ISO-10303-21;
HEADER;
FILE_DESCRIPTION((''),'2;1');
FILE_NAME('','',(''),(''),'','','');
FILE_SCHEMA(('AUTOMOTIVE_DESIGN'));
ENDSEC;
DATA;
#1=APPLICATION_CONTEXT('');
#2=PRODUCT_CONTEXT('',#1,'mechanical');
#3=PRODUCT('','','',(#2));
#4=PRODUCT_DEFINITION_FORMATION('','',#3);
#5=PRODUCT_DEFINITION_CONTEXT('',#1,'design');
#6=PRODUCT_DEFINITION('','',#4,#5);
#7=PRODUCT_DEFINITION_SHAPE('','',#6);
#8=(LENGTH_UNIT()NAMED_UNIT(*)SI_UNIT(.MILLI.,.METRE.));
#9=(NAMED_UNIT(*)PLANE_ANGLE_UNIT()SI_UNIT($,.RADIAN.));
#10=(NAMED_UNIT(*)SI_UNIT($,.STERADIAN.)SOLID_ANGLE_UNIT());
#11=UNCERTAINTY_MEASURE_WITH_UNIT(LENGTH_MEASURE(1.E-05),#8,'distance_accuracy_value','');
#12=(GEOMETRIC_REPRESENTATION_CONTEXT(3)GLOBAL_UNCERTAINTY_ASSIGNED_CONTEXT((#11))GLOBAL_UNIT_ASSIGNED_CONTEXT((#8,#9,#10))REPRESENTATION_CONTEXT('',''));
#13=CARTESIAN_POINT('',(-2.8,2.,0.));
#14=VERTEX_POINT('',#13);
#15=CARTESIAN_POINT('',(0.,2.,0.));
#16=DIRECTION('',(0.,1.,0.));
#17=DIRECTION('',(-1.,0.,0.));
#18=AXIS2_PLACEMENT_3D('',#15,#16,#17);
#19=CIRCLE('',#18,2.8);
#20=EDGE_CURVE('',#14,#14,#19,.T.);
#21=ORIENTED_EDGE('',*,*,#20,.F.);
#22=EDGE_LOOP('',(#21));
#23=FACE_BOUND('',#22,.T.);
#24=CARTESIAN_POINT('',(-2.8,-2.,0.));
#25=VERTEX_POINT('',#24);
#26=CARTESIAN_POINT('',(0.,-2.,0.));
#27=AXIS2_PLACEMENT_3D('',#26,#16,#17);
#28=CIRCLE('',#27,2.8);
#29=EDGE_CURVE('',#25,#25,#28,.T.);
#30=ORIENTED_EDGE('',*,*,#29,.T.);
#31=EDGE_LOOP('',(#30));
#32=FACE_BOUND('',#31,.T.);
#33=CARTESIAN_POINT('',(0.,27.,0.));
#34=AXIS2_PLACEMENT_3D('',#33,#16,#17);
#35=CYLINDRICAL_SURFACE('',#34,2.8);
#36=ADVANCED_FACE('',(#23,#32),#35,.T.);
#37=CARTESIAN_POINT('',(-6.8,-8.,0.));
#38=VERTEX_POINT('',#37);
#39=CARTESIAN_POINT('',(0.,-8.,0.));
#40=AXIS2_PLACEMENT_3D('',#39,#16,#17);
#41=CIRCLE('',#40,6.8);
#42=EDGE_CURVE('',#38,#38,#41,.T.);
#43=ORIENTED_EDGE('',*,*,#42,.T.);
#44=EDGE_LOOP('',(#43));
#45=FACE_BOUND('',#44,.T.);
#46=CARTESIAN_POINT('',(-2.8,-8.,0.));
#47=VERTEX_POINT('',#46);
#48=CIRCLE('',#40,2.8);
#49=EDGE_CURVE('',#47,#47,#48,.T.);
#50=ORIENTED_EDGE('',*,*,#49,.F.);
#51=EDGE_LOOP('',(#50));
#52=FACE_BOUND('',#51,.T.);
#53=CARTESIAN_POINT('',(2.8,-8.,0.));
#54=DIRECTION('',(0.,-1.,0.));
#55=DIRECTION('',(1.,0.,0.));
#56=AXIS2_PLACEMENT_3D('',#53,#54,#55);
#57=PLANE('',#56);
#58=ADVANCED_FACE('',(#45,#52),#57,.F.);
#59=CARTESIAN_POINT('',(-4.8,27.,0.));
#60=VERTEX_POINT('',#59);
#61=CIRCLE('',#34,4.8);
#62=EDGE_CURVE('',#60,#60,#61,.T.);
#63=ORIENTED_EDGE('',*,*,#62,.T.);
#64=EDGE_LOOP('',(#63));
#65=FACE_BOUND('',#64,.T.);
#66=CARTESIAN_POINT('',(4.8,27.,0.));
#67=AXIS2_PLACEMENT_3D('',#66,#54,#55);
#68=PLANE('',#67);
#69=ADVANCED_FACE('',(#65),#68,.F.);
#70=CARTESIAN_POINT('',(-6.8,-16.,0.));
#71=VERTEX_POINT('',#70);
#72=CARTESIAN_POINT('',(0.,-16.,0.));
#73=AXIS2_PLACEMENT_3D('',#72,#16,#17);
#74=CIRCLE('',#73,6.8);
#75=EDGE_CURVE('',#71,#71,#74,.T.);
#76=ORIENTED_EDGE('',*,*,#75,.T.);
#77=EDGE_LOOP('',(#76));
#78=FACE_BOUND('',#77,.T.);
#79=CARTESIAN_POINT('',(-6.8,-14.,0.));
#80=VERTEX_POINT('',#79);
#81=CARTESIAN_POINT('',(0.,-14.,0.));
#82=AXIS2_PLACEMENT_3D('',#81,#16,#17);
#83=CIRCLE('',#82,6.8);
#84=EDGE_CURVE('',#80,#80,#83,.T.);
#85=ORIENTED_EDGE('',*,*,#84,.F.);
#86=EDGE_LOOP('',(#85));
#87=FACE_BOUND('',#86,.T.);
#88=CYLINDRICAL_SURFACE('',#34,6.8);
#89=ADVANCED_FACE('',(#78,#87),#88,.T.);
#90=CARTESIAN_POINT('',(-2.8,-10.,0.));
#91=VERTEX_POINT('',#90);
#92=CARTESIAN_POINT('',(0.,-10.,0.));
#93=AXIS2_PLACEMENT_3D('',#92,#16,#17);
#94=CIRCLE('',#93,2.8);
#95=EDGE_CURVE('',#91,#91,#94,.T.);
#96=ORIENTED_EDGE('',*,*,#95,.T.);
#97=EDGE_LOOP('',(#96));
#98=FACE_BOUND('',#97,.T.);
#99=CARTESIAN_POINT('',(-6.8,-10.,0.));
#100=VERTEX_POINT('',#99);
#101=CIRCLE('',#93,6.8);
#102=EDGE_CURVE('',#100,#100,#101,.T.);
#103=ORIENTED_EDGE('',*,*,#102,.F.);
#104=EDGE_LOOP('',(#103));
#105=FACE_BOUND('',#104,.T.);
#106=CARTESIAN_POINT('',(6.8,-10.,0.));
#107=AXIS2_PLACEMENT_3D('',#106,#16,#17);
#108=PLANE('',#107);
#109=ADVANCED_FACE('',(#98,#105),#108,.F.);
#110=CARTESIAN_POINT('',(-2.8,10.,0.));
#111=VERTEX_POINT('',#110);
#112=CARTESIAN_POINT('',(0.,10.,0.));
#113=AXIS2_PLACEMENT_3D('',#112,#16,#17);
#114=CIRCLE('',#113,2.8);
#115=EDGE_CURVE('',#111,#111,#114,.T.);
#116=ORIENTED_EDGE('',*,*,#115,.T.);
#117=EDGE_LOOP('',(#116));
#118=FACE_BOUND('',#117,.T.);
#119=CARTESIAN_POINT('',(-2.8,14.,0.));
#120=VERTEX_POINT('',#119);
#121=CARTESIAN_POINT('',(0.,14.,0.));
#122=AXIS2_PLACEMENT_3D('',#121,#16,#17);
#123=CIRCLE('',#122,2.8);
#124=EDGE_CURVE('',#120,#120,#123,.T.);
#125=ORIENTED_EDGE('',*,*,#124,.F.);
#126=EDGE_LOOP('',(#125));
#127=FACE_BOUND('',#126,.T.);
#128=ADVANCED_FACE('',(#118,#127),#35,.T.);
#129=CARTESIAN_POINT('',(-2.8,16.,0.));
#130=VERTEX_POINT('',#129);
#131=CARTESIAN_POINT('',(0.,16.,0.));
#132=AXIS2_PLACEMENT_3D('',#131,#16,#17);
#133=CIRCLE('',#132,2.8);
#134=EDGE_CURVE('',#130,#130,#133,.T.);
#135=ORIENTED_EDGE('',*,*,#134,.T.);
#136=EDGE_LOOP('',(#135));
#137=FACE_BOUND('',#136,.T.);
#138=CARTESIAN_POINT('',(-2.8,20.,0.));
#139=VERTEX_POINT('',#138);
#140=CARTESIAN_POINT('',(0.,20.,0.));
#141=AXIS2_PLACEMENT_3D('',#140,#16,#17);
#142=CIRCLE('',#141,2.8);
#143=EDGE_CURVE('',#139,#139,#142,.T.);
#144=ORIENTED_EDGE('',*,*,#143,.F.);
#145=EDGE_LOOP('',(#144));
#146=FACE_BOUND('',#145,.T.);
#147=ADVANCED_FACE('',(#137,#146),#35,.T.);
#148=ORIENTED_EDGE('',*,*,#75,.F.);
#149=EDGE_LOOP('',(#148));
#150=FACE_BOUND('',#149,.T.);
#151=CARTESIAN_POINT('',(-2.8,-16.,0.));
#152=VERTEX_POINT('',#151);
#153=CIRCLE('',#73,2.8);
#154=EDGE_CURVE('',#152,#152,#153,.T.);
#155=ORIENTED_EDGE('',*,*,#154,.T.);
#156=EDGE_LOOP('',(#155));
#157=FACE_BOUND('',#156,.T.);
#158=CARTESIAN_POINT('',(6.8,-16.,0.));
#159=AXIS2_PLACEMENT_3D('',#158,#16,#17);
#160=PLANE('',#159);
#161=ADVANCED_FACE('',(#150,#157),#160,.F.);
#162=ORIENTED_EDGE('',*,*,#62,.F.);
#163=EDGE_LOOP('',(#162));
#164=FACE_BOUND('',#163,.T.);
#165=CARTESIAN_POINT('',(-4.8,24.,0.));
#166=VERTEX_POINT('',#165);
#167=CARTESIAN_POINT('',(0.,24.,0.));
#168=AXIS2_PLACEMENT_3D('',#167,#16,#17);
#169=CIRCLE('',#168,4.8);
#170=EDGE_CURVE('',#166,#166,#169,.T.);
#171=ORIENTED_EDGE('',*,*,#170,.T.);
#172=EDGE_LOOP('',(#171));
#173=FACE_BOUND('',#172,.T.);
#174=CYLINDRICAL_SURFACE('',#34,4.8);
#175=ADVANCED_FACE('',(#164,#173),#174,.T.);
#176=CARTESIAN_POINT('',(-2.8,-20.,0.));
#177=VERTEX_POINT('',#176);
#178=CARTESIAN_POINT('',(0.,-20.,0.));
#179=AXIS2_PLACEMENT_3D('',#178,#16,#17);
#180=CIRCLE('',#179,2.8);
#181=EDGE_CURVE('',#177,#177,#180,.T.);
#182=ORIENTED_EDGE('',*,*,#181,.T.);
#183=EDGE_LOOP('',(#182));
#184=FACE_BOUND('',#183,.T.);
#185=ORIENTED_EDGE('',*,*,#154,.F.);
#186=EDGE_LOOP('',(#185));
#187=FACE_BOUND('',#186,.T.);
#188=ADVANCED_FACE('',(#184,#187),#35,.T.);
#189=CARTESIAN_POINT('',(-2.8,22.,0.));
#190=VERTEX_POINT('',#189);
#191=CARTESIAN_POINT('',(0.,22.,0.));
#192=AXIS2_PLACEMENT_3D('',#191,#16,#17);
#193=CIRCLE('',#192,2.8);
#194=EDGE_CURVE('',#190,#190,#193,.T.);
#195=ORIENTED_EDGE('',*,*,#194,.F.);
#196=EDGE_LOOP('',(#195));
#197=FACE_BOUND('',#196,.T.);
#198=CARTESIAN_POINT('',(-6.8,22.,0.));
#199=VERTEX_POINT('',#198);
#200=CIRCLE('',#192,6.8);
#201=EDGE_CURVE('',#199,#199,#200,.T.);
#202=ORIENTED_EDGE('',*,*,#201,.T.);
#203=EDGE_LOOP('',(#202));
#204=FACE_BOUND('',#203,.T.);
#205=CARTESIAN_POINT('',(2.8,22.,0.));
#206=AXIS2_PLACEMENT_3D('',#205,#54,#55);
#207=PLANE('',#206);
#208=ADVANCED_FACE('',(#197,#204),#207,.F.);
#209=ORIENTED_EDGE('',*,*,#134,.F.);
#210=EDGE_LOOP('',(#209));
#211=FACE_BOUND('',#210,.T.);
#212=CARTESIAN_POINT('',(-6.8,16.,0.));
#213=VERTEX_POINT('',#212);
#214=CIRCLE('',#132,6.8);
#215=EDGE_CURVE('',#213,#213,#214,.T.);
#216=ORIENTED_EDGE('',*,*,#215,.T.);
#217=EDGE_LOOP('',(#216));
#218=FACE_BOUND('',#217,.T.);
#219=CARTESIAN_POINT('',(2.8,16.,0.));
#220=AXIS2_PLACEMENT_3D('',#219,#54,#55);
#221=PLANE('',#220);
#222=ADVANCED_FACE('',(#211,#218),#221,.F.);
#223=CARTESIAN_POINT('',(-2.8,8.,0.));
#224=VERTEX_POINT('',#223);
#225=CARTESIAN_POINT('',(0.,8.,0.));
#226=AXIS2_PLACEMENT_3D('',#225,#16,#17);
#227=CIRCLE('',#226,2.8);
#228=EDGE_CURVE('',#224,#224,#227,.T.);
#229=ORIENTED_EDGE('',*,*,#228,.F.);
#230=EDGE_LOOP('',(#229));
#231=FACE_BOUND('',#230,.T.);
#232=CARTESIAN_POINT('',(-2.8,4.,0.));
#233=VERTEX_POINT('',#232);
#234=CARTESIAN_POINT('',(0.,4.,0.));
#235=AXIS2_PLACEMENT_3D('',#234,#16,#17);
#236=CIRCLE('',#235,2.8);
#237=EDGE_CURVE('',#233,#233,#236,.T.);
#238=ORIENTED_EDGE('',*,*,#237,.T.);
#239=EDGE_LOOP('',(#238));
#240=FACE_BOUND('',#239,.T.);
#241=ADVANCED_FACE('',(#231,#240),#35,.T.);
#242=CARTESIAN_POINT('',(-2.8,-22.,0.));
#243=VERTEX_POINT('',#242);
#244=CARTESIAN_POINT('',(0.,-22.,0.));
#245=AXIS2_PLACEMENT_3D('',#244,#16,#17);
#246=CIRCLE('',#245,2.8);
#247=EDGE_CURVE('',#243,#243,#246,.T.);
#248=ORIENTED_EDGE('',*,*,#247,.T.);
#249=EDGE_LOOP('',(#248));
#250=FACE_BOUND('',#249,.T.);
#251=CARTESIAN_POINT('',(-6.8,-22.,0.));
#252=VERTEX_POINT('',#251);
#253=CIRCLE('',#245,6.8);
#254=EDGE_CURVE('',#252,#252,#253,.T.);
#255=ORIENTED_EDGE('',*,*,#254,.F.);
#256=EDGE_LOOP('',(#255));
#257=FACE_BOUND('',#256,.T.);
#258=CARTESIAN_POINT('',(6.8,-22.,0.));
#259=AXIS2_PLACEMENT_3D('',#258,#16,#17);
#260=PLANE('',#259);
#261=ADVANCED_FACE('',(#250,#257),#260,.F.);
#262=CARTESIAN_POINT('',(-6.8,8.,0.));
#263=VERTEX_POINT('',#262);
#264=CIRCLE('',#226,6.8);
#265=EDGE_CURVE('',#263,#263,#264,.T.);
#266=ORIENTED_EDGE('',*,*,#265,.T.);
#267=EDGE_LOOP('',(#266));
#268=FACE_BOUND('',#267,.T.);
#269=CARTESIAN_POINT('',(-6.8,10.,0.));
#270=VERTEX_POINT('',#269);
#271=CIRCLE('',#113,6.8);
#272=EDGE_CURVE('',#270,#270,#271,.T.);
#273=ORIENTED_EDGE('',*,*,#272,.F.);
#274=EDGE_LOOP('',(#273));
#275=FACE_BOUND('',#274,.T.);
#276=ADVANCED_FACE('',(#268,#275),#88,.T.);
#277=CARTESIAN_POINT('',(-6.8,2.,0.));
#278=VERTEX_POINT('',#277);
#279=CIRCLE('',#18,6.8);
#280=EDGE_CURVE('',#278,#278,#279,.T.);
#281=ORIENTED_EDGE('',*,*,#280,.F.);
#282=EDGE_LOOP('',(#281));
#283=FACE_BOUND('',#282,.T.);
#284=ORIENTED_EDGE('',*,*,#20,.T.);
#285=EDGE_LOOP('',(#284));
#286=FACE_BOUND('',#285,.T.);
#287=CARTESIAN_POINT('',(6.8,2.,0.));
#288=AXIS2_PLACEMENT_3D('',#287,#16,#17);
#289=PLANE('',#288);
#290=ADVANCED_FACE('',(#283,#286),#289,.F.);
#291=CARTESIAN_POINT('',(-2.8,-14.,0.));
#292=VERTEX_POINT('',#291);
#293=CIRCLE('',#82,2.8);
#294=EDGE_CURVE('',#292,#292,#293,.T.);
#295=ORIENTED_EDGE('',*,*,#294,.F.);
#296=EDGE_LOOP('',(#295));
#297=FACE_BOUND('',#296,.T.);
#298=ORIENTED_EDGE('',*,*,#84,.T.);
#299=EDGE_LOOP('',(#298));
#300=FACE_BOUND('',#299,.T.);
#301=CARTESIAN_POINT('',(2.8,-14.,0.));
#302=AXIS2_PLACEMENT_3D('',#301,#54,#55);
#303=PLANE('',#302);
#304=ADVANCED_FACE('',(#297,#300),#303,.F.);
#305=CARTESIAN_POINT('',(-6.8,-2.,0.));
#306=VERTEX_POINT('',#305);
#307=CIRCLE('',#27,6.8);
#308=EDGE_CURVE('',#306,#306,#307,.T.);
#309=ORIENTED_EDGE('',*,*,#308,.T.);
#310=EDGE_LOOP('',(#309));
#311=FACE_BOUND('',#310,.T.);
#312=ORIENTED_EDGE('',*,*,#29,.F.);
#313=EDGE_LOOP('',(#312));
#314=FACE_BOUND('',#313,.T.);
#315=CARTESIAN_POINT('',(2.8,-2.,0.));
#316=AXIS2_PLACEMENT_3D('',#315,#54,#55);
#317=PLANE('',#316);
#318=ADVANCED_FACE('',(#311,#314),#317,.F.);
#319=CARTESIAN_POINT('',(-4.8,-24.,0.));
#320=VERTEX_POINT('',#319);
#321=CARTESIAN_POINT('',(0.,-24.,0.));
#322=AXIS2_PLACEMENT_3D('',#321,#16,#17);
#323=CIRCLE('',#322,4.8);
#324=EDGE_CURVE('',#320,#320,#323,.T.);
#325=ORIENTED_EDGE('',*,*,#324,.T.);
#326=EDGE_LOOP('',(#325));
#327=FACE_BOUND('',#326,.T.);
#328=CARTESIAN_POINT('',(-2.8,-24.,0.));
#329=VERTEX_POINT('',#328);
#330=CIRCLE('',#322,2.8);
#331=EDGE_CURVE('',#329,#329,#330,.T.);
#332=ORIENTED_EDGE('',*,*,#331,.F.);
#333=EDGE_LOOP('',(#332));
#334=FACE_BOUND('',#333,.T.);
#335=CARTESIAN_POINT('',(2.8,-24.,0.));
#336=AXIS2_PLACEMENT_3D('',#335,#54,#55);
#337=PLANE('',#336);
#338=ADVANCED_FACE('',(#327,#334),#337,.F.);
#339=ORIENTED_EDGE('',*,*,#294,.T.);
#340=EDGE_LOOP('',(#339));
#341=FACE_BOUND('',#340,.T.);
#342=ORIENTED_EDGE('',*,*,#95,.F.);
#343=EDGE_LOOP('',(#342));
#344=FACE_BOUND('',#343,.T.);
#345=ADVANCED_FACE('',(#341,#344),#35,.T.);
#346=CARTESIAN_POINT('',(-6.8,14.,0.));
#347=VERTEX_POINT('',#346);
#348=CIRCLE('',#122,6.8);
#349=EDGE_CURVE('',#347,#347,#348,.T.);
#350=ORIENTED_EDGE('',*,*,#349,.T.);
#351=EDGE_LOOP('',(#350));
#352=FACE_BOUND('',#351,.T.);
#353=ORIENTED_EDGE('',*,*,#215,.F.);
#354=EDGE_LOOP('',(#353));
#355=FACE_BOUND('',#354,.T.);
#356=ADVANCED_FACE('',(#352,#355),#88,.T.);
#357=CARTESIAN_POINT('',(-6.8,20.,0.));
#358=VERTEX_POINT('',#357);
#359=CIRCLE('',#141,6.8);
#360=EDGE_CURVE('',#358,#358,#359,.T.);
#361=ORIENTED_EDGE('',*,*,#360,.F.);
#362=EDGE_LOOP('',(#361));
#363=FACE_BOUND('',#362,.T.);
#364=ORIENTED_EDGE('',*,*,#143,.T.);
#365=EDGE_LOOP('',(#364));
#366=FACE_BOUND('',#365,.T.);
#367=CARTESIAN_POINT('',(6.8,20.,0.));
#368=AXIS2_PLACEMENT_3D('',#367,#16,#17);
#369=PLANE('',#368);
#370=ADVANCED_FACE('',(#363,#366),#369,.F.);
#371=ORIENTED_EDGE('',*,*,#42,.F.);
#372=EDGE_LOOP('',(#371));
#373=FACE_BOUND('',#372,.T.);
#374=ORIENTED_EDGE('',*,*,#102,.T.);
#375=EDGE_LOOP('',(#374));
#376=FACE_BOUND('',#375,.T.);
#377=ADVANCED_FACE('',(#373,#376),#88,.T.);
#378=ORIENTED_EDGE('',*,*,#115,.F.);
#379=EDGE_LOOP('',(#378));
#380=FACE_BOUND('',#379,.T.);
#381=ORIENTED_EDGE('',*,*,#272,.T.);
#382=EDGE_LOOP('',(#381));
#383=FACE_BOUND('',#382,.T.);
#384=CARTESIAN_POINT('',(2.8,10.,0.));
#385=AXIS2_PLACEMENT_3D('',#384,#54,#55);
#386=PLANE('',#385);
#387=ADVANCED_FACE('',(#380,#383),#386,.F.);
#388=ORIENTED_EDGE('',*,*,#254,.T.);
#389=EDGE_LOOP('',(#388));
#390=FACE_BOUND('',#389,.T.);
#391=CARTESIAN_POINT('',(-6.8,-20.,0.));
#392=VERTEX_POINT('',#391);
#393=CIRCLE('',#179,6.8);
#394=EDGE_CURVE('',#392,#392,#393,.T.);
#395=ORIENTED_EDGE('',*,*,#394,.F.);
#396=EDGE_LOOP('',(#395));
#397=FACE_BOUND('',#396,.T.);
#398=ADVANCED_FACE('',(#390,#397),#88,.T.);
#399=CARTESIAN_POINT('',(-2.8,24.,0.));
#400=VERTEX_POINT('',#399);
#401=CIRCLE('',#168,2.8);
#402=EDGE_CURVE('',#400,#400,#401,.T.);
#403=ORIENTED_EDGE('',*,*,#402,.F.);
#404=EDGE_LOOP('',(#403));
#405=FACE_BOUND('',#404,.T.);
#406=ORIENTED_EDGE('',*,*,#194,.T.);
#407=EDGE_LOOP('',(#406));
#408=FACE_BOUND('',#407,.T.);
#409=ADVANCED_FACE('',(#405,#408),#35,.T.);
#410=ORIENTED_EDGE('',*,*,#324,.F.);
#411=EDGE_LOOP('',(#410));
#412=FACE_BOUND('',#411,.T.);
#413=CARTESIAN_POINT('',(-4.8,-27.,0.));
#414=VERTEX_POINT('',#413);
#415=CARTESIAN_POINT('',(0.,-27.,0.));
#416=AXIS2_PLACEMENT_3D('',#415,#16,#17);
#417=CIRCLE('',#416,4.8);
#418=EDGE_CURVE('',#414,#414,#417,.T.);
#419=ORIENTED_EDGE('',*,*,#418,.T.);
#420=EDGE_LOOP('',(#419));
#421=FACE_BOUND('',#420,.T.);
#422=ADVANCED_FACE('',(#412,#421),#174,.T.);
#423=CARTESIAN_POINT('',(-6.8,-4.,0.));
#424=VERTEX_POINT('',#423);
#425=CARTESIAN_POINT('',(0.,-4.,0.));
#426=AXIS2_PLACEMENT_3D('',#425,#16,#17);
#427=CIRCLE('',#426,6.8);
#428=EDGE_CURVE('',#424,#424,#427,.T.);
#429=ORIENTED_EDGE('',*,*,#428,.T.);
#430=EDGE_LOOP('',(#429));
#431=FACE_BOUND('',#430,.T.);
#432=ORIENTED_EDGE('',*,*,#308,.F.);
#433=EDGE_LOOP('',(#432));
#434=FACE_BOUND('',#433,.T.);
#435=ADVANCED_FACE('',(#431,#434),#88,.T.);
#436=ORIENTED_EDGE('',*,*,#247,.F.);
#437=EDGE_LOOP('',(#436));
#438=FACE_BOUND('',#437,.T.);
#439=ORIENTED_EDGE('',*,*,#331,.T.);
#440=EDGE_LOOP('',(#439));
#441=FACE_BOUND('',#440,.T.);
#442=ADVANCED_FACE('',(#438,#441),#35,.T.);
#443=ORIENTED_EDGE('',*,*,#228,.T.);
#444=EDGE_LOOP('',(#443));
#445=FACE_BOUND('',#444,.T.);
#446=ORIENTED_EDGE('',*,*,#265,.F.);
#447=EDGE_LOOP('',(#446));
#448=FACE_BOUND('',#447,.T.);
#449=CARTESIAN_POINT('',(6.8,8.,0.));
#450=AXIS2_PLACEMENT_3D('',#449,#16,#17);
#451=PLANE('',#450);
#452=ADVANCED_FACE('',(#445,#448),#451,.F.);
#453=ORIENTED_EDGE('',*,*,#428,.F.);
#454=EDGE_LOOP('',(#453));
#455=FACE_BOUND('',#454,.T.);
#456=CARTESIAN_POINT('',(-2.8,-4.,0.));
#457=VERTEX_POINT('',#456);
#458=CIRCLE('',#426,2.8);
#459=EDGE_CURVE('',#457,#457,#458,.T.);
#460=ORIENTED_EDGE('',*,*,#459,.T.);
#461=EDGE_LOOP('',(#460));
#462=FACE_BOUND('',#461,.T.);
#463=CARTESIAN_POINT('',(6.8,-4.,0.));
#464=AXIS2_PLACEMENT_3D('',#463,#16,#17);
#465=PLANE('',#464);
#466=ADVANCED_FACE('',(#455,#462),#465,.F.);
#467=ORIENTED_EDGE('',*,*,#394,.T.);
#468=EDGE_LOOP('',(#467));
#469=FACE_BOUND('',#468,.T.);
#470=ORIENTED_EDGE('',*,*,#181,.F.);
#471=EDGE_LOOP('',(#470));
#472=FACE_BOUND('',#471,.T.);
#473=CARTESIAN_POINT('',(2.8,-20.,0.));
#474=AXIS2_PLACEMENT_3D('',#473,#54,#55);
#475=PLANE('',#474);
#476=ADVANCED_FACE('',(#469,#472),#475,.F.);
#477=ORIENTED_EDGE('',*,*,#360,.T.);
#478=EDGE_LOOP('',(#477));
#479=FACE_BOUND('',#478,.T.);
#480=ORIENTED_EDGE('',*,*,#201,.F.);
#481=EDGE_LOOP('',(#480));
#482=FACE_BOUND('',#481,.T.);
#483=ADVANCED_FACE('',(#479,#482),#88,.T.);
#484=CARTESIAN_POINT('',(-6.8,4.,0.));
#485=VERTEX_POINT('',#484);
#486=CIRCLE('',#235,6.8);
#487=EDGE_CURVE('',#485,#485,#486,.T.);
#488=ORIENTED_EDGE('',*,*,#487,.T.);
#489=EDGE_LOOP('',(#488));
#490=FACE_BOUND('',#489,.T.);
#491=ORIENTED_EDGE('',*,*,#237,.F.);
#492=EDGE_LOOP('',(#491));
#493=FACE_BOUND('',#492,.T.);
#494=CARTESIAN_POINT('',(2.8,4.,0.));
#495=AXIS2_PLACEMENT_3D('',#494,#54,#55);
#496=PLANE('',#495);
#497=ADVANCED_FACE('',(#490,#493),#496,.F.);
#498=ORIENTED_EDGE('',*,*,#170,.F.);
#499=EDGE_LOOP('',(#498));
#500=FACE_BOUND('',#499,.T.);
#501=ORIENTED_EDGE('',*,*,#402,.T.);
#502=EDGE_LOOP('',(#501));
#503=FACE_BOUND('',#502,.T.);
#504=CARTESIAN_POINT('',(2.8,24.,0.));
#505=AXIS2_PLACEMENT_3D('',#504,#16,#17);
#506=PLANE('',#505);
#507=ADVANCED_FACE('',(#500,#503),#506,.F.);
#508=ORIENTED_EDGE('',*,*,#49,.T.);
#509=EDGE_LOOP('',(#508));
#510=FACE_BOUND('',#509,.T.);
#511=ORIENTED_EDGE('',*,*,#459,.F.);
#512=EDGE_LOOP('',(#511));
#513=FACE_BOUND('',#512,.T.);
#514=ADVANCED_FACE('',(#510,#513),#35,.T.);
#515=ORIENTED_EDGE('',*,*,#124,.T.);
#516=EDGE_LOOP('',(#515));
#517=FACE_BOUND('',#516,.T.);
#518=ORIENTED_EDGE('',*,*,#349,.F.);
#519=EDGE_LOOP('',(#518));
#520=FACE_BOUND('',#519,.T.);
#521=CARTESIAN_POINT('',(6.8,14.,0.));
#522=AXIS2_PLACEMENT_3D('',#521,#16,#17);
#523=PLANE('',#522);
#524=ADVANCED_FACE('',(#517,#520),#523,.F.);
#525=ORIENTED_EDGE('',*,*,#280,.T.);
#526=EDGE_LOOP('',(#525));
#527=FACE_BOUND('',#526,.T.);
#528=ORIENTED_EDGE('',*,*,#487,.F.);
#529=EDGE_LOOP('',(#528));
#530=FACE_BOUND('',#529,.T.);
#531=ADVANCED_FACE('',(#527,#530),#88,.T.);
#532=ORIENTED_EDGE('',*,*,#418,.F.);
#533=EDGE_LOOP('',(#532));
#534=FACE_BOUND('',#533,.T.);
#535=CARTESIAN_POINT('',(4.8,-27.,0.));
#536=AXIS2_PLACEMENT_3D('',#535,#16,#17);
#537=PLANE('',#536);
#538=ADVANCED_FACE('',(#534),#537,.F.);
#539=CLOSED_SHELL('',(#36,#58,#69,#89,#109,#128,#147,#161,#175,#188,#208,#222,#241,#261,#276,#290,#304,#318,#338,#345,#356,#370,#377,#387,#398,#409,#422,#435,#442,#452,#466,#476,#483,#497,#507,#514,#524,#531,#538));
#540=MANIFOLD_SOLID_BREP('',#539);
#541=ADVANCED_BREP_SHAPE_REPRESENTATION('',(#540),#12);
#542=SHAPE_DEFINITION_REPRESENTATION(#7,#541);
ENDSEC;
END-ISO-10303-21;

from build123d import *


with BuildPart() as part:
    # Sketch1 → Revolve1 (revolve)
    with BuildSketch(Plane.XY, mode=Mode.PRIVATE) as revolve1_sk:
        Polygon((2.8, 24), (2.8, 22), (6.8, 22), (6.8, 20), (2.8, 20), (2.8, 18), (2.8, 16), (6.8, 16), (6.8, 14), (2.8, 14), (2.8, 12), (2.8, 10), (6.8, 10), (6.8, 8), (2.8, 8), (2.8, 6), (2.8, 4), (6.8, 4), (6.8, 2), (2.8, 2), (2.8, 0), (2.8, -2), (6.8, -2), (6.8, -4), (2.8, -4), (2.8, -6), (2.8, -8), (6.8, -8), (6.8, -10), (2.8, -10), (2.8, -12), (2.8, -14), (6.8, -14), (6.8, -16), (2.8, -16), (2.8, -18), (2.8, -20), (6.8, -20), (6.8, -22), (2.8, -22), (2.8, -24), (4.8, -24), (4.8, -27), (0, -27), (0, 27), (4.8, 27), (4.8, 24), align=None)
    revolve(revolve1_sk.sketch.rotate(Axis((0, 27, 0), (0, -1, 0)), 180), axis=Axis((0, 27, 0), (0, -1, 0)))


solid = part.part
